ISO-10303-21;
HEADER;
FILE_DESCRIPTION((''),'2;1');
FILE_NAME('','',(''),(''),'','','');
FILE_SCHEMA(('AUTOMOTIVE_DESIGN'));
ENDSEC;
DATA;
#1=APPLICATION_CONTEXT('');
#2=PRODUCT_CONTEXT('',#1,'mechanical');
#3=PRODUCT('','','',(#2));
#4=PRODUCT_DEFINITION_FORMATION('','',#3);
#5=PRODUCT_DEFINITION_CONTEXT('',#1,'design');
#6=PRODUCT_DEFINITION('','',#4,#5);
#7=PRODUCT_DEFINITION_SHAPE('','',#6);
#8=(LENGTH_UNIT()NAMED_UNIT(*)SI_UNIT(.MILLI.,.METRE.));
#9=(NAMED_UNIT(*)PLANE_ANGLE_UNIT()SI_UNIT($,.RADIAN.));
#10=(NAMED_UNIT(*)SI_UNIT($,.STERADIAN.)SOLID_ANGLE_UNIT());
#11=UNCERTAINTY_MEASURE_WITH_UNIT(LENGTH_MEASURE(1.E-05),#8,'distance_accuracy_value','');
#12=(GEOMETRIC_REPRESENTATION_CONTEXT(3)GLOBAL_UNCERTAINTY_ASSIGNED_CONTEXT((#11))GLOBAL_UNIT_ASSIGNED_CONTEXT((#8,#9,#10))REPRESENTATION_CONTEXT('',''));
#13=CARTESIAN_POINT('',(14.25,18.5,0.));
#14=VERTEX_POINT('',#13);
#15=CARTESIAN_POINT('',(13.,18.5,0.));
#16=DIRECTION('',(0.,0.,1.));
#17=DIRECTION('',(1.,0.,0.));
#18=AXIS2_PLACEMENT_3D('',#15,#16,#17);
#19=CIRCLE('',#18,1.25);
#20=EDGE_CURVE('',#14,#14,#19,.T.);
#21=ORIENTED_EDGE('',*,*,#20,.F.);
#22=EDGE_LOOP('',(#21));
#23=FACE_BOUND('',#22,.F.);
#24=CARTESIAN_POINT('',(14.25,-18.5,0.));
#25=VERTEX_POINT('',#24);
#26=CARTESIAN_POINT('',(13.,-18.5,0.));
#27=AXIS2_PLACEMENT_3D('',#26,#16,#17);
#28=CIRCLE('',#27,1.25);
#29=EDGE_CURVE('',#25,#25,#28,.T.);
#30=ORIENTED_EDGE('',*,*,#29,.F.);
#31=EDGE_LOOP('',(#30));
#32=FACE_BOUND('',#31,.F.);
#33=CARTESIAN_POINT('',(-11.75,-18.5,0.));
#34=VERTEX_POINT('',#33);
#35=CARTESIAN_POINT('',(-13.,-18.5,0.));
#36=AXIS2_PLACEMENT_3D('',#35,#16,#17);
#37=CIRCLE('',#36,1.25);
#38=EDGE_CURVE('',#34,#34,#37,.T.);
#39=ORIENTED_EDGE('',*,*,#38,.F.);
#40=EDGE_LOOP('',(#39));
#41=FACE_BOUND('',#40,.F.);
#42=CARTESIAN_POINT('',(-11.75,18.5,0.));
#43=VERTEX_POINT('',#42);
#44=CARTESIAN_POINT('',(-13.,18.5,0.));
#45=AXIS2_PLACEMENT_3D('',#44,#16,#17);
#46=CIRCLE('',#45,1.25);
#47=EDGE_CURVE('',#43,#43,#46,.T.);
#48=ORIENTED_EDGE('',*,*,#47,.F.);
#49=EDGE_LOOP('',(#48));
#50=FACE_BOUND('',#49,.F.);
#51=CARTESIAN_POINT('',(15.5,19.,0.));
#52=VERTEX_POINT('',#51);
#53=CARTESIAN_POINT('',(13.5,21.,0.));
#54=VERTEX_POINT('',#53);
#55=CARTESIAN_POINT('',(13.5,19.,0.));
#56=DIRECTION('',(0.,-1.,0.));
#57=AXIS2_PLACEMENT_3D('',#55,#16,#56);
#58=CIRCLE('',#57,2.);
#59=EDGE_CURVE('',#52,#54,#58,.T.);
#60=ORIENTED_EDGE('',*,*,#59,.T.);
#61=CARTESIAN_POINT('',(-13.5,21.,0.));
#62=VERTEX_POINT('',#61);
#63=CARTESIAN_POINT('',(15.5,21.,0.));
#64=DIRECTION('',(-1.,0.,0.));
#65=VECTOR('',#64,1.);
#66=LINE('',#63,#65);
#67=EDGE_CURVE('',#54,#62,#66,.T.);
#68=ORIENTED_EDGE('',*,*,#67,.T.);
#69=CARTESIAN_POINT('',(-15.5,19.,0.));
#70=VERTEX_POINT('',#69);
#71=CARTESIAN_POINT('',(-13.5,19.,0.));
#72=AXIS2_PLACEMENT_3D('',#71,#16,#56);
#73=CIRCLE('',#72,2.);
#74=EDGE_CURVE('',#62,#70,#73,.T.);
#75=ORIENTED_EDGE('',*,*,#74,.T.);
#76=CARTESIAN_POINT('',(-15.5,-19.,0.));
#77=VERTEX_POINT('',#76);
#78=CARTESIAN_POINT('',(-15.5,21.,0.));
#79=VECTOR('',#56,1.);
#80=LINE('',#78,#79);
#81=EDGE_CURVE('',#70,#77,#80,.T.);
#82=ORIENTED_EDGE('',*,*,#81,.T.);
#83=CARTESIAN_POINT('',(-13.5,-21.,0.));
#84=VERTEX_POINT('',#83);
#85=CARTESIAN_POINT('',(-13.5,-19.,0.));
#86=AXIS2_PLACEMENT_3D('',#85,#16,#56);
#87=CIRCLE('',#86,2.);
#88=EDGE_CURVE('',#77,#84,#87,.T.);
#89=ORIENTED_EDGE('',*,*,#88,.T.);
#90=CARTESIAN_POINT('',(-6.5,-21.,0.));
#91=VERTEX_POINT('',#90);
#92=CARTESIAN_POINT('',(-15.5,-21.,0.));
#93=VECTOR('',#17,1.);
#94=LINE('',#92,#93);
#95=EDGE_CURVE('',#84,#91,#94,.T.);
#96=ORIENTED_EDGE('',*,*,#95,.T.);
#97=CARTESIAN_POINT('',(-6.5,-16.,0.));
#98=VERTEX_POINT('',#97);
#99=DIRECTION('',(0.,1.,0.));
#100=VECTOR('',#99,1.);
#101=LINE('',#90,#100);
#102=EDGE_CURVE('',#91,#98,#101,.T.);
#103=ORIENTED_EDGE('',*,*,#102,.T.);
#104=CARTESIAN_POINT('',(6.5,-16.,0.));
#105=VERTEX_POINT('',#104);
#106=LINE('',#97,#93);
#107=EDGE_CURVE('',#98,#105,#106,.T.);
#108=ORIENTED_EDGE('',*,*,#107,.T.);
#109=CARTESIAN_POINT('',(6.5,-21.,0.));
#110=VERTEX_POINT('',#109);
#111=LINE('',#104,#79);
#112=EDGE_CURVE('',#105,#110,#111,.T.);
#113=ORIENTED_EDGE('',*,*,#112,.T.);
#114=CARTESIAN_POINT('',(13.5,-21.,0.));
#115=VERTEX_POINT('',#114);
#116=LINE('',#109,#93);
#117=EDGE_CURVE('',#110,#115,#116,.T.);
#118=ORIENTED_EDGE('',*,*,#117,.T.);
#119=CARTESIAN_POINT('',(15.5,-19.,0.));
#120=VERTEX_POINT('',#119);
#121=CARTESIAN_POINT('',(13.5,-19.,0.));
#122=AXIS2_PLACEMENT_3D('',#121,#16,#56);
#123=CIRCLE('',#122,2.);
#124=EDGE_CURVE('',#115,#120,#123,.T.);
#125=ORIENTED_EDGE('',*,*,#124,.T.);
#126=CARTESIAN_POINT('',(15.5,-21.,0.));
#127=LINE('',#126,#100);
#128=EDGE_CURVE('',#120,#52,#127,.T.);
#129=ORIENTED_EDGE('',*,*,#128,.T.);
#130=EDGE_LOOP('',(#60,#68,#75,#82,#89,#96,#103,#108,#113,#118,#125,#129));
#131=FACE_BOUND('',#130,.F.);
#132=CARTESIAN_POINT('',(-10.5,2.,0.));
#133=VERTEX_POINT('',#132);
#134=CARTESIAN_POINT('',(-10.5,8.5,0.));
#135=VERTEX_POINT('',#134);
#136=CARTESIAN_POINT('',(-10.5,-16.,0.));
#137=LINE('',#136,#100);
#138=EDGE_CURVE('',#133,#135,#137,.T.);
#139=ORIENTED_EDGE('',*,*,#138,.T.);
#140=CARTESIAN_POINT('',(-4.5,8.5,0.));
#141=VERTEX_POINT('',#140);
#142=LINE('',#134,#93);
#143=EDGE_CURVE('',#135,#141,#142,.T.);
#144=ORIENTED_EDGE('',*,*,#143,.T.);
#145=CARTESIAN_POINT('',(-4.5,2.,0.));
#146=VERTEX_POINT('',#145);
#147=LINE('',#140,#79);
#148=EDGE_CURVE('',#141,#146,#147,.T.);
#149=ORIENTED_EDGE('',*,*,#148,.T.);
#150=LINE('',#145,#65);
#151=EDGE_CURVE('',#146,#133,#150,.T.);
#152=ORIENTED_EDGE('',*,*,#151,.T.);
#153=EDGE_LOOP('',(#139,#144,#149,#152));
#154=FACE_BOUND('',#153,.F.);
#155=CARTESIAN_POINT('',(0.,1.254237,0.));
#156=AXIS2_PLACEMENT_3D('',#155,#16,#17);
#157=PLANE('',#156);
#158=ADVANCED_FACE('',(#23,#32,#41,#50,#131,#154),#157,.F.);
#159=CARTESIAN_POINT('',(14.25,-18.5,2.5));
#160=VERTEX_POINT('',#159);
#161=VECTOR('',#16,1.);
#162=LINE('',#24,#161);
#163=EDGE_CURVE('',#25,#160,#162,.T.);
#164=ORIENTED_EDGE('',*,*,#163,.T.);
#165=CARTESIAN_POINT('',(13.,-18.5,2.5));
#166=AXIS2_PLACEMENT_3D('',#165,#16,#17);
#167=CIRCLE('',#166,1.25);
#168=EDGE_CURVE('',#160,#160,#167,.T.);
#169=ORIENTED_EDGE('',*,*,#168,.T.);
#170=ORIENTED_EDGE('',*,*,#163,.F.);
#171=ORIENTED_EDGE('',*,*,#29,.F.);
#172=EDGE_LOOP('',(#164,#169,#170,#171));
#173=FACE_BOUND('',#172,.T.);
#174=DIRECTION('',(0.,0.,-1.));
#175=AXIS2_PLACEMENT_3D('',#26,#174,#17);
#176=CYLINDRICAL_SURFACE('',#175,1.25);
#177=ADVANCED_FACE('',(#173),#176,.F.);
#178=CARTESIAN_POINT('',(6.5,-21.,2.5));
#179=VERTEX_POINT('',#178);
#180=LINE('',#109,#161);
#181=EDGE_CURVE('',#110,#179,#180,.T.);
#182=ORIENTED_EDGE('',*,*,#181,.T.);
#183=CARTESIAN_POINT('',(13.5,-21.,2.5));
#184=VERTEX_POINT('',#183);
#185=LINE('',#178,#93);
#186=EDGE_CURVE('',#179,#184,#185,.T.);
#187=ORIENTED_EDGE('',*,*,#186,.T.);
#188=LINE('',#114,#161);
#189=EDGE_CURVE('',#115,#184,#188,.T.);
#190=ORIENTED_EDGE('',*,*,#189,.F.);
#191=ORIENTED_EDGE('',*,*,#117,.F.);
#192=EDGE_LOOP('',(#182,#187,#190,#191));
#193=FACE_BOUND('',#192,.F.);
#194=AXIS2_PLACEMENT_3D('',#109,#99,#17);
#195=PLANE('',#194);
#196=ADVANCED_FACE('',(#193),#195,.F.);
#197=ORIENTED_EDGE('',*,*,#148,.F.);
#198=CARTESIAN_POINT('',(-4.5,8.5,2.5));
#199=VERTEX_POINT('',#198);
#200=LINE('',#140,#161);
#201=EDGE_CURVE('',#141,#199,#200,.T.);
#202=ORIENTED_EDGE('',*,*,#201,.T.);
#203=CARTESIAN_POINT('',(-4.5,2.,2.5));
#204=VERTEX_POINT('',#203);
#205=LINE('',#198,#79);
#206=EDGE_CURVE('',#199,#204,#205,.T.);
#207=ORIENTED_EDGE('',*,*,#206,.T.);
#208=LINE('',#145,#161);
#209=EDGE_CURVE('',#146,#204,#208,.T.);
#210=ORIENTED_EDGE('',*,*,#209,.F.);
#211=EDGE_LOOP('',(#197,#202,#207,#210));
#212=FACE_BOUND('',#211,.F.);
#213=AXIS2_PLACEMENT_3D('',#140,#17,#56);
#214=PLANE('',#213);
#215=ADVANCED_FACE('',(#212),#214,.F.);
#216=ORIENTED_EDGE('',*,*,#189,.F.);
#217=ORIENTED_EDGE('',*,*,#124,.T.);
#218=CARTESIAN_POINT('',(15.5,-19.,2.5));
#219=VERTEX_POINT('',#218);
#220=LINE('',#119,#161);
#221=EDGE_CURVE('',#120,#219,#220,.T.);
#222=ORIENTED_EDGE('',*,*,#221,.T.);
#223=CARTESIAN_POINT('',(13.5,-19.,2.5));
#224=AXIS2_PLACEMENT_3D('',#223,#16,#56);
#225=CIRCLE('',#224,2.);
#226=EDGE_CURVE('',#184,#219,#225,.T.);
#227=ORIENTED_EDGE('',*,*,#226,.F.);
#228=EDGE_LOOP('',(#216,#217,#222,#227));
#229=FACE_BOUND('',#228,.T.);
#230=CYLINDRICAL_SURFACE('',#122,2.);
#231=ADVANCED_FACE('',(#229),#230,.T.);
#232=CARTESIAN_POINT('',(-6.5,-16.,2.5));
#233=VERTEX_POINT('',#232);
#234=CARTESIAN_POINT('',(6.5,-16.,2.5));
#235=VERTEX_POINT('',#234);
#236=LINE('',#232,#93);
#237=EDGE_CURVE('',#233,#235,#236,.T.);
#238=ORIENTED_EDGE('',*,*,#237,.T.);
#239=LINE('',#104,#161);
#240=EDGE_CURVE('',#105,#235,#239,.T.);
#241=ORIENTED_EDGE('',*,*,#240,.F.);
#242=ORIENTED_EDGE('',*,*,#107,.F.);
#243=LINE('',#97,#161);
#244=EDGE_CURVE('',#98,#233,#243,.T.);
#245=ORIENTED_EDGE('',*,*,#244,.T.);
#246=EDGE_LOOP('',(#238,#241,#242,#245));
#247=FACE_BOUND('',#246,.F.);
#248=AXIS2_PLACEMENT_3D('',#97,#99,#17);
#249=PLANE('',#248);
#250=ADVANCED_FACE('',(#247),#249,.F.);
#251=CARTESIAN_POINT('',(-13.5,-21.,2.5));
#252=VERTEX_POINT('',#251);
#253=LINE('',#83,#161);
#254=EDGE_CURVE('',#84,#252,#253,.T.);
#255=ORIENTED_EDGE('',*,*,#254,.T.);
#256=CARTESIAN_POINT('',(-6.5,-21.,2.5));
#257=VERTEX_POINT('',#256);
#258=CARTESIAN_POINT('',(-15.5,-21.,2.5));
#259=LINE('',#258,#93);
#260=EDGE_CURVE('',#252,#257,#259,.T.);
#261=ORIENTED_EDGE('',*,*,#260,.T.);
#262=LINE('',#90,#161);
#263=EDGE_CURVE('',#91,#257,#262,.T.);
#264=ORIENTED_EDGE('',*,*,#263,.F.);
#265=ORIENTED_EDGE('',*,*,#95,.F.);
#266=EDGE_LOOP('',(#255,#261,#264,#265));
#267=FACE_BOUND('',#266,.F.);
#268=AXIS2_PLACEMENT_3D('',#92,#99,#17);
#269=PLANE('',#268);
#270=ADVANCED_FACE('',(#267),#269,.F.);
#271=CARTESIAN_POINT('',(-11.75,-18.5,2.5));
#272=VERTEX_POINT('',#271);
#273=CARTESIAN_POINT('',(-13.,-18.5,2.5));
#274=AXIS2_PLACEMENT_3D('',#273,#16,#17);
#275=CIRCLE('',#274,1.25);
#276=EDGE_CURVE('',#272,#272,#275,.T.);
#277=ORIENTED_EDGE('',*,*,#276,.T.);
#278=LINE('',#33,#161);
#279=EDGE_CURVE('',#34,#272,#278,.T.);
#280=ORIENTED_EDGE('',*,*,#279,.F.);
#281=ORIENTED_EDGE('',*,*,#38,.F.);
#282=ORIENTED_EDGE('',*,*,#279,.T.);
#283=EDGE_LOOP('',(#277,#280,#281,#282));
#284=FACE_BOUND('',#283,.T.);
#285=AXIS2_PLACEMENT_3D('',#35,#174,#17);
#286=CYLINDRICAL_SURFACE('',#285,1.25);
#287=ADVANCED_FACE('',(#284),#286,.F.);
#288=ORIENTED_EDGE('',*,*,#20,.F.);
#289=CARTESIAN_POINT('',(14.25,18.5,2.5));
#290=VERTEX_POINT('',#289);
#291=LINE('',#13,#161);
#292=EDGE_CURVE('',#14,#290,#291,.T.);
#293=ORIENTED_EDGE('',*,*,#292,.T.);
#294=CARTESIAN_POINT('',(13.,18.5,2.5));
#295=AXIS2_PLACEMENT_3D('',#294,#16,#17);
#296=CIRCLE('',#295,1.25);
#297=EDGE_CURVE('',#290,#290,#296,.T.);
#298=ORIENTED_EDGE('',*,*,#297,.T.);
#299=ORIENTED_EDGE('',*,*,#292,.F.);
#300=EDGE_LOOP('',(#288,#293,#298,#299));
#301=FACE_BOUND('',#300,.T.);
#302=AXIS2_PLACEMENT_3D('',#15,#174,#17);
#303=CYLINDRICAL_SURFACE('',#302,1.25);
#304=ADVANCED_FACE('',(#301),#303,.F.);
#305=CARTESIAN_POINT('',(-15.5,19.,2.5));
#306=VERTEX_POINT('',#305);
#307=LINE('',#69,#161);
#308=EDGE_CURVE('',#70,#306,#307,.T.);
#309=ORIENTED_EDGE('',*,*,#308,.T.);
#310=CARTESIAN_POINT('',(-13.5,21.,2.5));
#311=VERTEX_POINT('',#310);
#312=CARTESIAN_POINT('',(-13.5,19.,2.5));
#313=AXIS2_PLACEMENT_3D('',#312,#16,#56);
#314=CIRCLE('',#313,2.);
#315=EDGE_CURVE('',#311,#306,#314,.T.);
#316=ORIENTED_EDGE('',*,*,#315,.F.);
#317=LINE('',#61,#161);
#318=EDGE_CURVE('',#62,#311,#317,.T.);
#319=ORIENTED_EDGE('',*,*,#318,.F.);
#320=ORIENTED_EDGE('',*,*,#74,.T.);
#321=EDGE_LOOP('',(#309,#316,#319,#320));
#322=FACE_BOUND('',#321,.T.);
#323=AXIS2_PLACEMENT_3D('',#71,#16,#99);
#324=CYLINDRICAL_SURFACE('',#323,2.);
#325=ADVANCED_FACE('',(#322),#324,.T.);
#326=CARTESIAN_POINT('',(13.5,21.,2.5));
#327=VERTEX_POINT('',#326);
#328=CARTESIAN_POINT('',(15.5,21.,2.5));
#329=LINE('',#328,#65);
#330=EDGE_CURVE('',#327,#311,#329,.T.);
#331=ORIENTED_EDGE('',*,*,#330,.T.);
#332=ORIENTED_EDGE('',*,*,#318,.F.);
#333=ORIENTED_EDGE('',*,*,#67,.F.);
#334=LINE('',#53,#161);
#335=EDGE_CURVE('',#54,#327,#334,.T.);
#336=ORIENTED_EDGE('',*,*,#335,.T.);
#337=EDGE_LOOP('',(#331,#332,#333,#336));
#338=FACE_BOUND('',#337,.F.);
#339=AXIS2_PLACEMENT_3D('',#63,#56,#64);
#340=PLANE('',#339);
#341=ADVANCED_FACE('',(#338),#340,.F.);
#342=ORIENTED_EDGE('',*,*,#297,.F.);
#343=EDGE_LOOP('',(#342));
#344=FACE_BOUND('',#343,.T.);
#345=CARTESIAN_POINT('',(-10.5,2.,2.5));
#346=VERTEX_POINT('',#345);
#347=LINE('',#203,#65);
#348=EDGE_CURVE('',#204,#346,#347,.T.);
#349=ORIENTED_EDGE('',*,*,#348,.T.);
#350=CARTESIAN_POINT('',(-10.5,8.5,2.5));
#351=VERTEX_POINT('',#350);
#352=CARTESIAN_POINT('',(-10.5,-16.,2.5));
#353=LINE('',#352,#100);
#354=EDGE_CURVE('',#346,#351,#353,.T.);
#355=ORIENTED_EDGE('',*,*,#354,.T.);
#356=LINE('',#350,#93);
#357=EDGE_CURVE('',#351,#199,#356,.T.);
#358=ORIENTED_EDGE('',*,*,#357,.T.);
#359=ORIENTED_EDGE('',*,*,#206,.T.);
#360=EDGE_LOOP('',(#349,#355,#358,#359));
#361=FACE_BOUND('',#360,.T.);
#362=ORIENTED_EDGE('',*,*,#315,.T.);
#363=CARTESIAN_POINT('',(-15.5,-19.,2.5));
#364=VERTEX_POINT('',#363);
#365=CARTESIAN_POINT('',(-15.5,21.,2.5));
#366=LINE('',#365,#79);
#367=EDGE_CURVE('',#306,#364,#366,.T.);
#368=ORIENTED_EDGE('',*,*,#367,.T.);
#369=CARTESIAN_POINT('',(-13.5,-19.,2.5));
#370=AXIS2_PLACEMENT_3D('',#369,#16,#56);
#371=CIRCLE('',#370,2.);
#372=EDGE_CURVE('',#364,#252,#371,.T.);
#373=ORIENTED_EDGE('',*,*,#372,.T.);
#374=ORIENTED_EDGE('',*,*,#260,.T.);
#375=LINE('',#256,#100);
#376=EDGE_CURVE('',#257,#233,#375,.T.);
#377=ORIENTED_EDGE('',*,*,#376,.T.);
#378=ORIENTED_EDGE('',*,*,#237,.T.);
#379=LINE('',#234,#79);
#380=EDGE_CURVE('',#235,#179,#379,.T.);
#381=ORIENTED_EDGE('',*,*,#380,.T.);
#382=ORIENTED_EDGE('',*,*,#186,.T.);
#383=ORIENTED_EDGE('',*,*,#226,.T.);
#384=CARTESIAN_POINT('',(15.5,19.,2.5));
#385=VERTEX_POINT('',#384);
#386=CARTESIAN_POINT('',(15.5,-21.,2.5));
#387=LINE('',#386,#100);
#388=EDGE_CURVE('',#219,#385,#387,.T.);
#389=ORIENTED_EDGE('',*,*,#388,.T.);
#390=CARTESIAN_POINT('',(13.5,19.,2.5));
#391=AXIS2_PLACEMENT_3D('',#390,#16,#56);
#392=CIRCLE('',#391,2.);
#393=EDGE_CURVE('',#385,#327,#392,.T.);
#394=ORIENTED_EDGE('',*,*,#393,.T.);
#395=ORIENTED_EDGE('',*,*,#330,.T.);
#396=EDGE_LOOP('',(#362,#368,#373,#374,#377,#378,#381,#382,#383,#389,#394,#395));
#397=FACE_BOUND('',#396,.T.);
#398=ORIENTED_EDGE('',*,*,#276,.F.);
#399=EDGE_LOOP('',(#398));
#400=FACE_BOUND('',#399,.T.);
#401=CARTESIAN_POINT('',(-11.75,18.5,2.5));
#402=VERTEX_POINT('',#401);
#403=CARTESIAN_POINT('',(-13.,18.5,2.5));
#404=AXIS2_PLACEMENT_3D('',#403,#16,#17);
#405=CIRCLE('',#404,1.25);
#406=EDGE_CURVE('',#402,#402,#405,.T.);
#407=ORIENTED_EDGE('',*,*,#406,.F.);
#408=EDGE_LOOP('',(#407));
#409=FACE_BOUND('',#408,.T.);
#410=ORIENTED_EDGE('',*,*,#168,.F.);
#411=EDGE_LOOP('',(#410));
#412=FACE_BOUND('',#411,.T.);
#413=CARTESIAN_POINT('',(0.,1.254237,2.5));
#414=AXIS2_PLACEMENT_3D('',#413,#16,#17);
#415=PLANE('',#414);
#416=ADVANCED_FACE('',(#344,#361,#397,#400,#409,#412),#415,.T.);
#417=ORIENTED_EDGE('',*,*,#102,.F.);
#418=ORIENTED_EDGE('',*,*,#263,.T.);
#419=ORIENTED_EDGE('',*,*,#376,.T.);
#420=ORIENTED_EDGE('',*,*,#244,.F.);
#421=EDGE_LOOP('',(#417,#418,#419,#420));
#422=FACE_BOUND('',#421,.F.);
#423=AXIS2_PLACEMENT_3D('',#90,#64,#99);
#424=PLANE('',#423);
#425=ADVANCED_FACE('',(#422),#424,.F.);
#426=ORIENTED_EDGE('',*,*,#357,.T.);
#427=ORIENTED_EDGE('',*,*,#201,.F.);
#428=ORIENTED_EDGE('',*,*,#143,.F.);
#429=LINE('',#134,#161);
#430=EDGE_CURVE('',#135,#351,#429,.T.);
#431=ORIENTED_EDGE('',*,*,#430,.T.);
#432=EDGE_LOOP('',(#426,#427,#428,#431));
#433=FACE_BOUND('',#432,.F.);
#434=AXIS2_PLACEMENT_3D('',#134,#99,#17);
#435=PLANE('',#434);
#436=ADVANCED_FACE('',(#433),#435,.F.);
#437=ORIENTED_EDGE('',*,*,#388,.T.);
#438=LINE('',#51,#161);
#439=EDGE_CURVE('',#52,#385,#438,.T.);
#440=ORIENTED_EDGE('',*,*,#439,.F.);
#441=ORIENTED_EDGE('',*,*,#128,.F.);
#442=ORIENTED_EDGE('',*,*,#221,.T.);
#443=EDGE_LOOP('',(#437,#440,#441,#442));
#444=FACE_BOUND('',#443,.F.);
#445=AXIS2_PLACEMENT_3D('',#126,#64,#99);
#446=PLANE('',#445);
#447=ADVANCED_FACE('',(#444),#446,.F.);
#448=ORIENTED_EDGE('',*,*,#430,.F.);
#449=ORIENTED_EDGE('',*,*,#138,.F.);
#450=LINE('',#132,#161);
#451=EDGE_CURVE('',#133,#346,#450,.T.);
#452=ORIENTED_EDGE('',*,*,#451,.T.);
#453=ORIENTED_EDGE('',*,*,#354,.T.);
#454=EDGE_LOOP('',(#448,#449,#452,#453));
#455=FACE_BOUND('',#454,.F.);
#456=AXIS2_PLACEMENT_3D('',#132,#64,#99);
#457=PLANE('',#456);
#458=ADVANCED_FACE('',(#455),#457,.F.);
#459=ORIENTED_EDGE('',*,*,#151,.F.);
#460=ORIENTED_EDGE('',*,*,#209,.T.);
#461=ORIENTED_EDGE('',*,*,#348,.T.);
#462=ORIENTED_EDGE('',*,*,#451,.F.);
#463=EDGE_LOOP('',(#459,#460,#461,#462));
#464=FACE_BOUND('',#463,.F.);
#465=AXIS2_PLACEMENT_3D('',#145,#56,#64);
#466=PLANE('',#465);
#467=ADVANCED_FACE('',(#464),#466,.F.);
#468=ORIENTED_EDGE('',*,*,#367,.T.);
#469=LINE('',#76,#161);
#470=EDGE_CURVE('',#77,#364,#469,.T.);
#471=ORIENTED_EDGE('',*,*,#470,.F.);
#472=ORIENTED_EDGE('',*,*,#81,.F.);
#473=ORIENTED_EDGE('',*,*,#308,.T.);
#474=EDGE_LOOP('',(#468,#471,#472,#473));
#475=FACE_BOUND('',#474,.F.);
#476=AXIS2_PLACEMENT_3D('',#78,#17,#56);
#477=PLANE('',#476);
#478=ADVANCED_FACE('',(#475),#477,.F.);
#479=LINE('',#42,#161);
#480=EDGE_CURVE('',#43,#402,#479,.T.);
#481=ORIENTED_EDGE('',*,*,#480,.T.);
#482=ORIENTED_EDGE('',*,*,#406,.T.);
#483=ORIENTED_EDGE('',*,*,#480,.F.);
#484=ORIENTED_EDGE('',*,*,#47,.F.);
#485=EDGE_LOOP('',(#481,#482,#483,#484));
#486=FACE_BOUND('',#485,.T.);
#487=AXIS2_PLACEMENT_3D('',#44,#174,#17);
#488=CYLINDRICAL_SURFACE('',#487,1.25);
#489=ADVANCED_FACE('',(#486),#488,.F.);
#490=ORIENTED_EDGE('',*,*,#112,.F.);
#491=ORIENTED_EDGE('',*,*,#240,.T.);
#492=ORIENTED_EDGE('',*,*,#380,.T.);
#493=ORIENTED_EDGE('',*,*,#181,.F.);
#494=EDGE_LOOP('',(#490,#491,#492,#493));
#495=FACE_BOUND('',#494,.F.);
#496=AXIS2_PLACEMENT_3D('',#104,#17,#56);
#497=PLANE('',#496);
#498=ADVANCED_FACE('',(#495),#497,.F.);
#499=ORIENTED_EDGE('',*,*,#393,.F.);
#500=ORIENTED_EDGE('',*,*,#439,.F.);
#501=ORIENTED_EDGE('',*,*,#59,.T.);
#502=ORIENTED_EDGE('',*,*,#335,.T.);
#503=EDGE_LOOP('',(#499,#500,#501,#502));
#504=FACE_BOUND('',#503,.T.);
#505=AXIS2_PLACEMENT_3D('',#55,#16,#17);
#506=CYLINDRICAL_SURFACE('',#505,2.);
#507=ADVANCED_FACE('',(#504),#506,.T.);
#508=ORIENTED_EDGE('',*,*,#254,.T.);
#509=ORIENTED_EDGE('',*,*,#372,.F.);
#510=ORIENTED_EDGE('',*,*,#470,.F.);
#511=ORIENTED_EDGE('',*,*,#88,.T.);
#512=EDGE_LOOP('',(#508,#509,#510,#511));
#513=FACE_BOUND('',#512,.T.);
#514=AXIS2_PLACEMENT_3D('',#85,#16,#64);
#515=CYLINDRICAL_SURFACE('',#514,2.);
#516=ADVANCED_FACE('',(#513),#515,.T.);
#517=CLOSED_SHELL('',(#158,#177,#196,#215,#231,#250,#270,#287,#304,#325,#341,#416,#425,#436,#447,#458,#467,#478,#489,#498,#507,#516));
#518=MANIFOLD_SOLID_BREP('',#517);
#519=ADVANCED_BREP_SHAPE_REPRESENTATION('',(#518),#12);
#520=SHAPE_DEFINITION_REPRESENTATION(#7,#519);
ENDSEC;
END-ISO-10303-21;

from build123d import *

# Parameters (mm, degrees)
F0_R     = 1.25
F1_DEPTH = 2.5
F2_R     = 2


with BuildPart() as f1:
    # F0 (on Top) → F1 (new body)
    with BuildSketch(Plane.XY):
        Polygon((10.5, 16), (10.5, -16), (6.5, -16), (6.5, -21), (15.5, -21), (15.5, 21), (-15.5, 21), (-15.5, -21), (-6.5, -21), (-6.5, -16), (-10.5, -16), (-10.5, 2), (-10.5, 8.5), (-10.5, 16), align=None)
        with Locations((-13, -18.5)):
            Circle(F0_R, mode=Mode.SUBTRACT)
        with Locations((13, -18.5)):
            Circle(F0_R, mode=Mode.SUBTRACT)
        with Locations((-13, 18.5)):
            Circle(F0_R, mode=Mode.SUBTRACT)
        with Locations((13, 18.5)):
            Circle(F0_R, mode=Mode.SUBTRACT)
        Polygon((6.5, -16), (10.5, -16), (10.5, 16), (-10.5, 16), (-10.5, 8.5), (-4.5, 8.5), (-4.5, 2), (-10.5, 2), (-10.5, -16), (-6.5, -16), align=None)
    extrude(amount=F1_DEPTH)

    # F2
    f2_edges = [f1.edges().sort_by_distance(p)[0] for p in [
        (-15.5, 21, 1.25),
        (15.5, 21, 1.25),
        (15.5, -21, 1.25),
        (-15.5, -21, 1.25),
    ]]
    fillet(f2_edges, radius=F2_R)


solid = f1.part
